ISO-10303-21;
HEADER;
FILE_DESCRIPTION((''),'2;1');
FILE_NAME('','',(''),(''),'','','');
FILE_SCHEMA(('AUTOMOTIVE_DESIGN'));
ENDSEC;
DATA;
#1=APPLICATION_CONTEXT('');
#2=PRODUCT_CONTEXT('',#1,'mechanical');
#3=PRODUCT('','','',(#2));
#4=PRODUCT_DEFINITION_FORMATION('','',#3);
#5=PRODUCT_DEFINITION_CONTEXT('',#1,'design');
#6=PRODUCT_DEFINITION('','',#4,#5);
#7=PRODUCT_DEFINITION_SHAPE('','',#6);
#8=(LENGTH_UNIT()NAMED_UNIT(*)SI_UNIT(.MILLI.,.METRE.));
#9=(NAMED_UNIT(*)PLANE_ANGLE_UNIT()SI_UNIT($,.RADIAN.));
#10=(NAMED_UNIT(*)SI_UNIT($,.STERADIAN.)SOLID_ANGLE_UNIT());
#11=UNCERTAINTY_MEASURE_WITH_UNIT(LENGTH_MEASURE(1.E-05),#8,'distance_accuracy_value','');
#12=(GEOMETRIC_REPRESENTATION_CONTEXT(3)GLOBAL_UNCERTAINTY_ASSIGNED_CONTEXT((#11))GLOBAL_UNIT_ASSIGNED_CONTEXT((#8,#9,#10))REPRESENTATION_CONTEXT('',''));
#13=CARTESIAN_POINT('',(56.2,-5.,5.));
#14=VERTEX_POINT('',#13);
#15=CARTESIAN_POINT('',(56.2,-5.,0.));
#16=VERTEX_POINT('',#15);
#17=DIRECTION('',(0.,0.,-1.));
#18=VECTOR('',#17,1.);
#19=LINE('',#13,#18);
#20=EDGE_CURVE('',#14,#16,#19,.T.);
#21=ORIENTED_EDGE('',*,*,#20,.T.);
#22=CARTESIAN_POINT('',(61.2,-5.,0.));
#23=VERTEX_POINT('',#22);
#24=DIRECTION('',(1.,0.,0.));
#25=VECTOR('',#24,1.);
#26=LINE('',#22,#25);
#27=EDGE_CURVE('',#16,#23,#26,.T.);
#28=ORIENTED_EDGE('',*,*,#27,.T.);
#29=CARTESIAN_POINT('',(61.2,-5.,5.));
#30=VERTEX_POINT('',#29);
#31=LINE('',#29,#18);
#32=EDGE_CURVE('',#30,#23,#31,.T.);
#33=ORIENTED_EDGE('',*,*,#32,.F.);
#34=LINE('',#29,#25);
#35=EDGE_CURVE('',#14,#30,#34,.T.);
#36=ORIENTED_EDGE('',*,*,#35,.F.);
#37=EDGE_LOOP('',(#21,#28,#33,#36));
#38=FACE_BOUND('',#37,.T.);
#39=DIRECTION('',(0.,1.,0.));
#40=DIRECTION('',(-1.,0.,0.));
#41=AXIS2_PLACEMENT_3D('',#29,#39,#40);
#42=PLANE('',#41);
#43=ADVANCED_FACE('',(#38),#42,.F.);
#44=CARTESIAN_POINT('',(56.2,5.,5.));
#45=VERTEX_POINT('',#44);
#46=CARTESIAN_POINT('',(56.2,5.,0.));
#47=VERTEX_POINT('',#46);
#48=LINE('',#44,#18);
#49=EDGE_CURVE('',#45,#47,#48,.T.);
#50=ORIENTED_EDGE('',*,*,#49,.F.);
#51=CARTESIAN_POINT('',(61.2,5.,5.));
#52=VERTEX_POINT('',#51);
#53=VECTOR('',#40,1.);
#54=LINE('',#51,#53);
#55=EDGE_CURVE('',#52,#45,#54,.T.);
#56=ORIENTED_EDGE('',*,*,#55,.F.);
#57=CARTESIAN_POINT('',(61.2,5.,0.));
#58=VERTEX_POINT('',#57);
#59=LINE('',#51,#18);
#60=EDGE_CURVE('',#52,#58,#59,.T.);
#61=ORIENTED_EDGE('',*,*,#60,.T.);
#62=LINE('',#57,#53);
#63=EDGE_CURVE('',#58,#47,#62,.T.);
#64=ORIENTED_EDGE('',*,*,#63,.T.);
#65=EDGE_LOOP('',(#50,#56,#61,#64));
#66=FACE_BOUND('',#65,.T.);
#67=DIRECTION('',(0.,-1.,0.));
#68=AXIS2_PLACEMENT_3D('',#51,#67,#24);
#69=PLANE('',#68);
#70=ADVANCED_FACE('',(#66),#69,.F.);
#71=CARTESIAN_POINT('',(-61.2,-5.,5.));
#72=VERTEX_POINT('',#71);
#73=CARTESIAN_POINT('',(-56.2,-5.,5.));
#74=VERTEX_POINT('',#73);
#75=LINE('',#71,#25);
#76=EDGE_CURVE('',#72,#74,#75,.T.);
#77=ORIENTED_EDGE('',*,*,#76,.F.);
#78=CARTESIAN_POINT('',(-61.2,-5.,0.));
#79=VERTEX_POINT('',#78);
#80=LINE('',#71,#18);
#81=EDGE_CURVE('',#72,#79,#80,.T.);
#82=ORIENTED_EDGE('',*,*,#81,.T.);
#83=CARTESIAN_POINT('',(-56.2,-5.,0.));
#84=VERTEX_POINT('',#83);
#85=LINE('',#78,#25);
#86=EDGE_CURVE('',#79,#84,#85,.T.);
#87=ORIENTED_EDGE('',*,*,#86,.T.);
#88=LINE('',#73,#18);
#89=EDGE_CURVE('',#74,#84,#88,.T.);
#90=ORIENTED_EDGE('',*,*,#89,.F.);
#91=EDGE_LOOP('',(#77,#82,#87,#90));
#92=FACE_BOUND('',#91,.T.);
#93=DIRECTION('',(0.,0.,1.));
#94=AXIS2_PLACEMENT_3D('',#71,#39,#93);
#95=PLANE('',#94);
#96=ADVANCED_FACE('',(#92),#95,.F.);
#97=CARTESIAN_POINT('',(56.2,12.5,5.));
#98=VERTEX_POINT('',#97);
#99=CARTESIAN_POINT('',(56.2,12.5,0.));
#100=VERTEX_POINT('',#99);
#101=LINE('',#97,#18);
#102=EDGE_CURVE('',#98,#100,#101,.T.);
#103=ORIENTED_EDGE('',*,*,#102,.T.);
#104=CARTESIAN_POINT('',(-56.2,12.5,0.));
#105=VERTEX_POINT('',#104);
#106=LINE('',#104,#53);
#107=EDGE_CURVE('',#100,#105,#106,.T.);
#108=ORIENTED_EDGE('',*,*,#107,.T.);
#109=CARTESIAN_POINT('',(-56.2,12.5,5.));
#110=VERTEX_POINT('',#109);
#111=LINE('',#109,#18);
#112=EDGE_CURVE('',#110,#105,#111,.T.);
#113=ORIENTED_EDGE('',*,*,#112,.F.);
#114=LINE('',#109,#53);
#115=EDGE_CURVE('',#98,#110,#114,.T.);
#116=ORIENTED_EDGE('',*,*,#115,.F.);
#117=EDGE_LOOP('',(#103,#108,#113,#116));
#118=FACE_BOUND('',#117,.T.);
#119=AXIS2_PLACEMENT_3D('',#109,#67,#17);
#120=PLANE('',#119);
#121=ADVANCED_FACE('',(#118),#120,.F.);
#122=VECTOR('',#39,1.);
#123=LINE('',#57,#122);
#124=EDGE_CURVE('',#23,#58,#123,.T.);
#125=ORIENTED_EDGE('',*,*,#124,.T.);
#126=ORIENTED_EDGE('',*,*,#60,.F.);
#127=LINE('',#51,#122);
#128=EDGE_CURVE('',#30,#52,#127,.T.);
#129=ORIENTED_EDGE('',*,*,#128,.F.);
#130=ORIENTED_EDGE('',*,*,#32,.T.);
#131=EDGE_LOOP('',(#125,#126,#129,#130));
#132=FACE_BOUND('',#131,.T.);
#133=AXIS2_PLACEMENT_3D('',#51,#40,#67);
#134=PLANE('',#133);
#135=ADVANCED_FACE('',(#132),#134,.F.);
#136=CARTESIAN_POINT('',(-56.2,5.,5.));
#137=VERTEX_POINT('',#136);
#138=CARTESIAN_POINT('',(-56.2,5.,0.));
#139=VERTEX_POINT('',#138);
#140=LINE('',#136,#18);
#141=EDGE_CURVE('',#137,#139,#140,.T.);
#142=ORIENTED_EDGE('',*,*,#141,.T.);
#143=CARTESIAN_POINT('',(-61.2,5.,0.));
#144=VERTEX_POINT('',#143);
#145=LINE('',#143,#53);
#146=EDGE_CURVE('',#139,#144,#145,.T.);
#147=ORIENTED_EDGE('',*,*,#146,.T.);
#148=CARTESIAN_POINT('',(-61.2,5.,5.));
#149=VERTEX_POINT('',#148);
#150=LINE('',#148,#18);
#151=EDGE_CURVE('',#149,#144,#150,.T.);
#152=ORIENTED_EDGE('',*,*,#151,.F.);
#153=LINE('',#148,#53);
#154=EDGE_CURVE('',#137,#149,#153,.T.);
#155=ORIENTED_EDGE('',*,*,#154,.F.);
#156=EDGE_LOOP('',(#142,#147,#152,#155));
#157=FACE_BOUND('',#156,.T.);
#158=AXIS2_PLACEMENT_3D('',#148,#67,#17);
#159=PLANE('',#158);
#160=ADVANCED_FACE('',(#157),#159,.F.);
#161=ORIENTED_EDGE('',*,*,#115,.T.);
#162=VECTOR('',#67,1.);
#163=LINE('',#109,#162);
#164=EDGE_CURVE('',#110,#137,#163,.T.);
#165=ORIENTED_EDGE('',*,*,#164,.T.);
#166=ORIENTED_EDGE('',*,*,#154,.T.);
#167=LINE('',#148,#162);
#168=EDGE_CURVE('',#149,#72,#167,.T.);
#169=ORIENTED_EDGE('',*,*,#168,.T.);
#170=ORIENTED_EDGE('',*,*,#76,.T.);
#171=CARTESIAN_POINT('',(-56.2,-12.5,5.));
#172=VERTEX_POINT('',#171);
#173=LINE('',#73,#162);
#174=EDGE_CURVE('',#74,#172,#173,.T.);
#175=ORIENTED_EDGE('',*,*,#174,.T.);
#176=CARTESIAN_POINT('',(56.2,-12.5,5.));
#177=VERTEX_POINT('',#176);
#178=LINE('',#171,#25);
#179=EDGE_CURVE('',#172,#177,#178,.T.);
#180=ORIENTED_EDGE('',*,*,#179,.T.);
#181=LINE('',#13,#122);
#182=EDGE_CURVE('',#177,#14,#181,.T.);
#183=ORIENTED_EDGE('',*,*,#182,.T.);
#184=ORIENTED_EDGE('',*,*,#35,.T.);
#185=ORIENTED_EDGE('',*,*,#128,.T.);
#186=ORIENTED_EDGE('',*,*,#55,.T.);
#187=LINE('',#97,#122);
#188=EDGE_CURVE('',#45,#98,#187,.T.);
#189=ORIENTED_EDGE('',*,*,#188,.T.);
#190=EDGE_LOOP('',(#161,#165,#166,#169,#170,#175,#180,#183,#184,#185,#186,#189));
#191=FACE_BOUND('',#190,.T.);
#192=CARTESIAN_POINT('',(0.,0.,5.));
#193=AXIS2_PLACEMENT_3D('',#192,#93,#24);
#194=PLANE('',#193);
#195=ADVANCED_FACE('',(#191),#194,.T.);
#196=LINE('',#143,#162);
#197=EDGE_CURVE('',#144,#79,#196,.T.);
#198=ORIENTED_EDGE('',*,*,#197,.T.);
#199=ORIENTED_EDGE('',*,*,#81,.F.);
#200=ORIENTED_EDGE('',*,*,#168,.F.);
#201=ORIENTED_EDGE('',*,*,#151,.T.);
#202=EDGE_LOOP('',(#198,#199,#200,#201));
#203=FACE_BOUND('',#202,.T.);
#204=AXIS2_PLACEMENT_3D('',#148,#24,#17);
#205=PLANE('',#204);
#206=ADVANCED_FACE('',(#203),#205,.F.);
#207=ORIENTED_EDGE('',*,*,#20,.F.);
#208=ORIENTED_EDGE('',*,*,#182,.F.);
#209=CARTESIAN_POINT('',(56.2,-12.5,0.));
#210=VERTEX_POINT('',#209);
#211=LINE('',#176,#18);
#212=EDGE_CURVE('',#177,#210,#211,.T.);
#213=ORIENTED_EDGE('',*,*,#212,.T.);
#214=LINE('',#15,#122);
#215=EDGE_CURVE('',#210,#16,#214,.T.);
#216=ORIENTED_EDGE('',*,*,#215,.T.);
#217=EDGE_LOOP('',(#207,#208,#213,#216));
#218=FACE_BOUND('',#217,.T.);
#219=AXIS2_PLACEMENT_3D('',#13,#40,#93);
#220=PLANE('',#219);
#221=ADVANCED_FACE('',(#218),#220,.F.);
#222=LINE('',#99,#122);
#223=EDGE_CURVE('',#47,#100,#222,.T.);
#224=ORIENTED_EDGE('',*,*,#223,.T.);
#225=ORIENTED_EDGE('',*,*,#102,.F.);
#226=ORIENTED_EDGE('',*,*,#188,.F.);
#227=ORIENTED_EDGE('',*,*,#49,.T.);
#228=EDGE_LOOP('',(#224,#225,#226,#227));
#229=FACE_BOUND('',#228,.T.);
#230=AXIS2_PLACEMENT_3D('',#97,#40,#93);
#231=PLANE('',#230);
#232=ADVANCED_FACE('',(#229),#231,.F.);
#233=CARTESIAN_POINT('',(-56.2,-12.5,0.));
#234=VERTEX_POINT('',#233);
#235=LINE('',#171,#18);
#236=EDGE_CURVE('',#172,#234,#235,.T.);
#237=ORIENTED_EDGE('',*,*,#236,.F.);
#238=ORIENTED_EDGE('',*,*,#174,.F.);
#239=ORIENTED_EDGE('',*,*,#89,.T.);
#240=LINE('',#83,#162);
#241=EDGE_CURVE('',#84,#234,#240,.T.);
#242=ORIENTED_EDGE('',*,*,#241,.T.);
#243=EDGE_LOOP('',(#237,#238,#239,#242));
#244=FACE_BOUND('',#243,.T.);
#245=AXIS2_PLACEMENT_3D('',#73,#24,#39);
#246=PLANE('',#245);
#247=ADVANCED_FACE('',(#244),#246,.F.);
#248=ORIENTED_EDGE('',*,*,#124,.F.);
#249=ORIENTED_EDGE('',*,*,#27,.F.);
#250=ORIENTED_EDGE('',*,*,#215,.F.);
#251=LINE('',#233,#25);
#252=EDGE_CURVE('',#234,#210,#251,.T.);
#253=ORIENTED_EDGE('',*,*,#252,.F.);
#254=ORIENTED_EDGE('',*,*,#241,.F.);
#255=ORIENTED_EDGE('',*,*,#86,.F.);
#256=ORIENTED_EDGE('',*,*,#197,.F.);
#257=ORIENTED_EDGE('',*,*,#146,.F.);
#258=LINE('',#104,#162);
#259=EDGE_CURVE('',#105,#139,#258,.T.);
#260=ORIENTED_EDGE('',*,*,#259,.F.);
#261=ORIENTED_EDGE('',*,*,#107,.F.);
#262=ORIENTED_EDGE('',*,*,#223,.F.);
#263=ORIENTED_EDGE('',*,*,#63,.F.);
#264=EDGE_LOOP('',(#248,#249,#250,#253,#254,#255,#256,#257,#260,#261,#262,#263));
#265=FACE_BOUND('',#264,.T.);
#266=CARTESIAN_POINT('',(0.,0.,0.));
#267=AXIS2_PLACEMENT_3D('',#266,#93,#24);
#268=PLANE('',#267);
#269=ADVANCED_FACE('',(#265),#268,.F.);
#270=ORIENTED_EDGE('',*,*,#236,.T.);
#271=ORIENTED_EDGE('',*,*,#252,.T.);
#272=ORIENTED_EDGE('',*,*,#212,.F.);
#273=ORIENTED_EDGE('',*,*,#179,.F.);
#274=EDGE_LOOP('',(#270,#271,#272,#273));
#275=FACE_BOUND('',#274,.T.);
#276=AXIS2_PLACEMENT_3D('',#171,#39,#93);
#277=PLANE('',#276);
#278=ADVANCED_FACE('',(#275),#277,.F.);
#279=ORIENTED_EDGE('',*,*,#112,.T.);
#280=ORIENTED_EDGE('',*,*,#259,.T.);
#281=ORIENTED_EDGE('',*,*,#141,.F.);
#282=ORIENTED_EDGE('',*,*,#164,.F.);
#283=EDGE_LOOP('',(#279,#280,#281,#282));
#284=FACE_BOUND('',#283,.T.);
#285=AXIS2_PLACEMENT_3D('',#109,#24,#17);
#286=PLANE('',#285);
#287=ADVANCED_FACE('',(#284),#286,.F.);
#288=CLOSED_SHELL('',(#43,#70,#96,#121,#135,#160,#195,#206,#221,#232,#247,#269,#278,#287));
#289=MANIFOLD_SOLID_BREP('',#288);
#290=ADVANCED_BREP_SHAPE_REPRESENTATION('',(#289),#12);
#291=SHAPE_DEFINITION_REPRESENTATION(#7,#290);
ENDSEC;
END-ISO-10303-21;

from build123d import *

# Parameters (mm, degrees)
EXTRUDE_1_DEPTH = 5


with BuildPart() as part:
    # 스케치1 → 보스-돌출1 (new body)
    with BuildSketch(Plane.XY):
        Polygon((-61.2, -5), (-56.2, -5), (-56.2, -12.5), (56.2, -12.5), (56.2, -5), (61.2, -5), (61.2, 5), (56.2, 5), (56.2, 12.5), (-56.2, 12.5), (-56.2, 5), (-61.2, 5), align=None)
    extrude(amount=EXTRUDE_1_DEPTH)


solid = part.part
